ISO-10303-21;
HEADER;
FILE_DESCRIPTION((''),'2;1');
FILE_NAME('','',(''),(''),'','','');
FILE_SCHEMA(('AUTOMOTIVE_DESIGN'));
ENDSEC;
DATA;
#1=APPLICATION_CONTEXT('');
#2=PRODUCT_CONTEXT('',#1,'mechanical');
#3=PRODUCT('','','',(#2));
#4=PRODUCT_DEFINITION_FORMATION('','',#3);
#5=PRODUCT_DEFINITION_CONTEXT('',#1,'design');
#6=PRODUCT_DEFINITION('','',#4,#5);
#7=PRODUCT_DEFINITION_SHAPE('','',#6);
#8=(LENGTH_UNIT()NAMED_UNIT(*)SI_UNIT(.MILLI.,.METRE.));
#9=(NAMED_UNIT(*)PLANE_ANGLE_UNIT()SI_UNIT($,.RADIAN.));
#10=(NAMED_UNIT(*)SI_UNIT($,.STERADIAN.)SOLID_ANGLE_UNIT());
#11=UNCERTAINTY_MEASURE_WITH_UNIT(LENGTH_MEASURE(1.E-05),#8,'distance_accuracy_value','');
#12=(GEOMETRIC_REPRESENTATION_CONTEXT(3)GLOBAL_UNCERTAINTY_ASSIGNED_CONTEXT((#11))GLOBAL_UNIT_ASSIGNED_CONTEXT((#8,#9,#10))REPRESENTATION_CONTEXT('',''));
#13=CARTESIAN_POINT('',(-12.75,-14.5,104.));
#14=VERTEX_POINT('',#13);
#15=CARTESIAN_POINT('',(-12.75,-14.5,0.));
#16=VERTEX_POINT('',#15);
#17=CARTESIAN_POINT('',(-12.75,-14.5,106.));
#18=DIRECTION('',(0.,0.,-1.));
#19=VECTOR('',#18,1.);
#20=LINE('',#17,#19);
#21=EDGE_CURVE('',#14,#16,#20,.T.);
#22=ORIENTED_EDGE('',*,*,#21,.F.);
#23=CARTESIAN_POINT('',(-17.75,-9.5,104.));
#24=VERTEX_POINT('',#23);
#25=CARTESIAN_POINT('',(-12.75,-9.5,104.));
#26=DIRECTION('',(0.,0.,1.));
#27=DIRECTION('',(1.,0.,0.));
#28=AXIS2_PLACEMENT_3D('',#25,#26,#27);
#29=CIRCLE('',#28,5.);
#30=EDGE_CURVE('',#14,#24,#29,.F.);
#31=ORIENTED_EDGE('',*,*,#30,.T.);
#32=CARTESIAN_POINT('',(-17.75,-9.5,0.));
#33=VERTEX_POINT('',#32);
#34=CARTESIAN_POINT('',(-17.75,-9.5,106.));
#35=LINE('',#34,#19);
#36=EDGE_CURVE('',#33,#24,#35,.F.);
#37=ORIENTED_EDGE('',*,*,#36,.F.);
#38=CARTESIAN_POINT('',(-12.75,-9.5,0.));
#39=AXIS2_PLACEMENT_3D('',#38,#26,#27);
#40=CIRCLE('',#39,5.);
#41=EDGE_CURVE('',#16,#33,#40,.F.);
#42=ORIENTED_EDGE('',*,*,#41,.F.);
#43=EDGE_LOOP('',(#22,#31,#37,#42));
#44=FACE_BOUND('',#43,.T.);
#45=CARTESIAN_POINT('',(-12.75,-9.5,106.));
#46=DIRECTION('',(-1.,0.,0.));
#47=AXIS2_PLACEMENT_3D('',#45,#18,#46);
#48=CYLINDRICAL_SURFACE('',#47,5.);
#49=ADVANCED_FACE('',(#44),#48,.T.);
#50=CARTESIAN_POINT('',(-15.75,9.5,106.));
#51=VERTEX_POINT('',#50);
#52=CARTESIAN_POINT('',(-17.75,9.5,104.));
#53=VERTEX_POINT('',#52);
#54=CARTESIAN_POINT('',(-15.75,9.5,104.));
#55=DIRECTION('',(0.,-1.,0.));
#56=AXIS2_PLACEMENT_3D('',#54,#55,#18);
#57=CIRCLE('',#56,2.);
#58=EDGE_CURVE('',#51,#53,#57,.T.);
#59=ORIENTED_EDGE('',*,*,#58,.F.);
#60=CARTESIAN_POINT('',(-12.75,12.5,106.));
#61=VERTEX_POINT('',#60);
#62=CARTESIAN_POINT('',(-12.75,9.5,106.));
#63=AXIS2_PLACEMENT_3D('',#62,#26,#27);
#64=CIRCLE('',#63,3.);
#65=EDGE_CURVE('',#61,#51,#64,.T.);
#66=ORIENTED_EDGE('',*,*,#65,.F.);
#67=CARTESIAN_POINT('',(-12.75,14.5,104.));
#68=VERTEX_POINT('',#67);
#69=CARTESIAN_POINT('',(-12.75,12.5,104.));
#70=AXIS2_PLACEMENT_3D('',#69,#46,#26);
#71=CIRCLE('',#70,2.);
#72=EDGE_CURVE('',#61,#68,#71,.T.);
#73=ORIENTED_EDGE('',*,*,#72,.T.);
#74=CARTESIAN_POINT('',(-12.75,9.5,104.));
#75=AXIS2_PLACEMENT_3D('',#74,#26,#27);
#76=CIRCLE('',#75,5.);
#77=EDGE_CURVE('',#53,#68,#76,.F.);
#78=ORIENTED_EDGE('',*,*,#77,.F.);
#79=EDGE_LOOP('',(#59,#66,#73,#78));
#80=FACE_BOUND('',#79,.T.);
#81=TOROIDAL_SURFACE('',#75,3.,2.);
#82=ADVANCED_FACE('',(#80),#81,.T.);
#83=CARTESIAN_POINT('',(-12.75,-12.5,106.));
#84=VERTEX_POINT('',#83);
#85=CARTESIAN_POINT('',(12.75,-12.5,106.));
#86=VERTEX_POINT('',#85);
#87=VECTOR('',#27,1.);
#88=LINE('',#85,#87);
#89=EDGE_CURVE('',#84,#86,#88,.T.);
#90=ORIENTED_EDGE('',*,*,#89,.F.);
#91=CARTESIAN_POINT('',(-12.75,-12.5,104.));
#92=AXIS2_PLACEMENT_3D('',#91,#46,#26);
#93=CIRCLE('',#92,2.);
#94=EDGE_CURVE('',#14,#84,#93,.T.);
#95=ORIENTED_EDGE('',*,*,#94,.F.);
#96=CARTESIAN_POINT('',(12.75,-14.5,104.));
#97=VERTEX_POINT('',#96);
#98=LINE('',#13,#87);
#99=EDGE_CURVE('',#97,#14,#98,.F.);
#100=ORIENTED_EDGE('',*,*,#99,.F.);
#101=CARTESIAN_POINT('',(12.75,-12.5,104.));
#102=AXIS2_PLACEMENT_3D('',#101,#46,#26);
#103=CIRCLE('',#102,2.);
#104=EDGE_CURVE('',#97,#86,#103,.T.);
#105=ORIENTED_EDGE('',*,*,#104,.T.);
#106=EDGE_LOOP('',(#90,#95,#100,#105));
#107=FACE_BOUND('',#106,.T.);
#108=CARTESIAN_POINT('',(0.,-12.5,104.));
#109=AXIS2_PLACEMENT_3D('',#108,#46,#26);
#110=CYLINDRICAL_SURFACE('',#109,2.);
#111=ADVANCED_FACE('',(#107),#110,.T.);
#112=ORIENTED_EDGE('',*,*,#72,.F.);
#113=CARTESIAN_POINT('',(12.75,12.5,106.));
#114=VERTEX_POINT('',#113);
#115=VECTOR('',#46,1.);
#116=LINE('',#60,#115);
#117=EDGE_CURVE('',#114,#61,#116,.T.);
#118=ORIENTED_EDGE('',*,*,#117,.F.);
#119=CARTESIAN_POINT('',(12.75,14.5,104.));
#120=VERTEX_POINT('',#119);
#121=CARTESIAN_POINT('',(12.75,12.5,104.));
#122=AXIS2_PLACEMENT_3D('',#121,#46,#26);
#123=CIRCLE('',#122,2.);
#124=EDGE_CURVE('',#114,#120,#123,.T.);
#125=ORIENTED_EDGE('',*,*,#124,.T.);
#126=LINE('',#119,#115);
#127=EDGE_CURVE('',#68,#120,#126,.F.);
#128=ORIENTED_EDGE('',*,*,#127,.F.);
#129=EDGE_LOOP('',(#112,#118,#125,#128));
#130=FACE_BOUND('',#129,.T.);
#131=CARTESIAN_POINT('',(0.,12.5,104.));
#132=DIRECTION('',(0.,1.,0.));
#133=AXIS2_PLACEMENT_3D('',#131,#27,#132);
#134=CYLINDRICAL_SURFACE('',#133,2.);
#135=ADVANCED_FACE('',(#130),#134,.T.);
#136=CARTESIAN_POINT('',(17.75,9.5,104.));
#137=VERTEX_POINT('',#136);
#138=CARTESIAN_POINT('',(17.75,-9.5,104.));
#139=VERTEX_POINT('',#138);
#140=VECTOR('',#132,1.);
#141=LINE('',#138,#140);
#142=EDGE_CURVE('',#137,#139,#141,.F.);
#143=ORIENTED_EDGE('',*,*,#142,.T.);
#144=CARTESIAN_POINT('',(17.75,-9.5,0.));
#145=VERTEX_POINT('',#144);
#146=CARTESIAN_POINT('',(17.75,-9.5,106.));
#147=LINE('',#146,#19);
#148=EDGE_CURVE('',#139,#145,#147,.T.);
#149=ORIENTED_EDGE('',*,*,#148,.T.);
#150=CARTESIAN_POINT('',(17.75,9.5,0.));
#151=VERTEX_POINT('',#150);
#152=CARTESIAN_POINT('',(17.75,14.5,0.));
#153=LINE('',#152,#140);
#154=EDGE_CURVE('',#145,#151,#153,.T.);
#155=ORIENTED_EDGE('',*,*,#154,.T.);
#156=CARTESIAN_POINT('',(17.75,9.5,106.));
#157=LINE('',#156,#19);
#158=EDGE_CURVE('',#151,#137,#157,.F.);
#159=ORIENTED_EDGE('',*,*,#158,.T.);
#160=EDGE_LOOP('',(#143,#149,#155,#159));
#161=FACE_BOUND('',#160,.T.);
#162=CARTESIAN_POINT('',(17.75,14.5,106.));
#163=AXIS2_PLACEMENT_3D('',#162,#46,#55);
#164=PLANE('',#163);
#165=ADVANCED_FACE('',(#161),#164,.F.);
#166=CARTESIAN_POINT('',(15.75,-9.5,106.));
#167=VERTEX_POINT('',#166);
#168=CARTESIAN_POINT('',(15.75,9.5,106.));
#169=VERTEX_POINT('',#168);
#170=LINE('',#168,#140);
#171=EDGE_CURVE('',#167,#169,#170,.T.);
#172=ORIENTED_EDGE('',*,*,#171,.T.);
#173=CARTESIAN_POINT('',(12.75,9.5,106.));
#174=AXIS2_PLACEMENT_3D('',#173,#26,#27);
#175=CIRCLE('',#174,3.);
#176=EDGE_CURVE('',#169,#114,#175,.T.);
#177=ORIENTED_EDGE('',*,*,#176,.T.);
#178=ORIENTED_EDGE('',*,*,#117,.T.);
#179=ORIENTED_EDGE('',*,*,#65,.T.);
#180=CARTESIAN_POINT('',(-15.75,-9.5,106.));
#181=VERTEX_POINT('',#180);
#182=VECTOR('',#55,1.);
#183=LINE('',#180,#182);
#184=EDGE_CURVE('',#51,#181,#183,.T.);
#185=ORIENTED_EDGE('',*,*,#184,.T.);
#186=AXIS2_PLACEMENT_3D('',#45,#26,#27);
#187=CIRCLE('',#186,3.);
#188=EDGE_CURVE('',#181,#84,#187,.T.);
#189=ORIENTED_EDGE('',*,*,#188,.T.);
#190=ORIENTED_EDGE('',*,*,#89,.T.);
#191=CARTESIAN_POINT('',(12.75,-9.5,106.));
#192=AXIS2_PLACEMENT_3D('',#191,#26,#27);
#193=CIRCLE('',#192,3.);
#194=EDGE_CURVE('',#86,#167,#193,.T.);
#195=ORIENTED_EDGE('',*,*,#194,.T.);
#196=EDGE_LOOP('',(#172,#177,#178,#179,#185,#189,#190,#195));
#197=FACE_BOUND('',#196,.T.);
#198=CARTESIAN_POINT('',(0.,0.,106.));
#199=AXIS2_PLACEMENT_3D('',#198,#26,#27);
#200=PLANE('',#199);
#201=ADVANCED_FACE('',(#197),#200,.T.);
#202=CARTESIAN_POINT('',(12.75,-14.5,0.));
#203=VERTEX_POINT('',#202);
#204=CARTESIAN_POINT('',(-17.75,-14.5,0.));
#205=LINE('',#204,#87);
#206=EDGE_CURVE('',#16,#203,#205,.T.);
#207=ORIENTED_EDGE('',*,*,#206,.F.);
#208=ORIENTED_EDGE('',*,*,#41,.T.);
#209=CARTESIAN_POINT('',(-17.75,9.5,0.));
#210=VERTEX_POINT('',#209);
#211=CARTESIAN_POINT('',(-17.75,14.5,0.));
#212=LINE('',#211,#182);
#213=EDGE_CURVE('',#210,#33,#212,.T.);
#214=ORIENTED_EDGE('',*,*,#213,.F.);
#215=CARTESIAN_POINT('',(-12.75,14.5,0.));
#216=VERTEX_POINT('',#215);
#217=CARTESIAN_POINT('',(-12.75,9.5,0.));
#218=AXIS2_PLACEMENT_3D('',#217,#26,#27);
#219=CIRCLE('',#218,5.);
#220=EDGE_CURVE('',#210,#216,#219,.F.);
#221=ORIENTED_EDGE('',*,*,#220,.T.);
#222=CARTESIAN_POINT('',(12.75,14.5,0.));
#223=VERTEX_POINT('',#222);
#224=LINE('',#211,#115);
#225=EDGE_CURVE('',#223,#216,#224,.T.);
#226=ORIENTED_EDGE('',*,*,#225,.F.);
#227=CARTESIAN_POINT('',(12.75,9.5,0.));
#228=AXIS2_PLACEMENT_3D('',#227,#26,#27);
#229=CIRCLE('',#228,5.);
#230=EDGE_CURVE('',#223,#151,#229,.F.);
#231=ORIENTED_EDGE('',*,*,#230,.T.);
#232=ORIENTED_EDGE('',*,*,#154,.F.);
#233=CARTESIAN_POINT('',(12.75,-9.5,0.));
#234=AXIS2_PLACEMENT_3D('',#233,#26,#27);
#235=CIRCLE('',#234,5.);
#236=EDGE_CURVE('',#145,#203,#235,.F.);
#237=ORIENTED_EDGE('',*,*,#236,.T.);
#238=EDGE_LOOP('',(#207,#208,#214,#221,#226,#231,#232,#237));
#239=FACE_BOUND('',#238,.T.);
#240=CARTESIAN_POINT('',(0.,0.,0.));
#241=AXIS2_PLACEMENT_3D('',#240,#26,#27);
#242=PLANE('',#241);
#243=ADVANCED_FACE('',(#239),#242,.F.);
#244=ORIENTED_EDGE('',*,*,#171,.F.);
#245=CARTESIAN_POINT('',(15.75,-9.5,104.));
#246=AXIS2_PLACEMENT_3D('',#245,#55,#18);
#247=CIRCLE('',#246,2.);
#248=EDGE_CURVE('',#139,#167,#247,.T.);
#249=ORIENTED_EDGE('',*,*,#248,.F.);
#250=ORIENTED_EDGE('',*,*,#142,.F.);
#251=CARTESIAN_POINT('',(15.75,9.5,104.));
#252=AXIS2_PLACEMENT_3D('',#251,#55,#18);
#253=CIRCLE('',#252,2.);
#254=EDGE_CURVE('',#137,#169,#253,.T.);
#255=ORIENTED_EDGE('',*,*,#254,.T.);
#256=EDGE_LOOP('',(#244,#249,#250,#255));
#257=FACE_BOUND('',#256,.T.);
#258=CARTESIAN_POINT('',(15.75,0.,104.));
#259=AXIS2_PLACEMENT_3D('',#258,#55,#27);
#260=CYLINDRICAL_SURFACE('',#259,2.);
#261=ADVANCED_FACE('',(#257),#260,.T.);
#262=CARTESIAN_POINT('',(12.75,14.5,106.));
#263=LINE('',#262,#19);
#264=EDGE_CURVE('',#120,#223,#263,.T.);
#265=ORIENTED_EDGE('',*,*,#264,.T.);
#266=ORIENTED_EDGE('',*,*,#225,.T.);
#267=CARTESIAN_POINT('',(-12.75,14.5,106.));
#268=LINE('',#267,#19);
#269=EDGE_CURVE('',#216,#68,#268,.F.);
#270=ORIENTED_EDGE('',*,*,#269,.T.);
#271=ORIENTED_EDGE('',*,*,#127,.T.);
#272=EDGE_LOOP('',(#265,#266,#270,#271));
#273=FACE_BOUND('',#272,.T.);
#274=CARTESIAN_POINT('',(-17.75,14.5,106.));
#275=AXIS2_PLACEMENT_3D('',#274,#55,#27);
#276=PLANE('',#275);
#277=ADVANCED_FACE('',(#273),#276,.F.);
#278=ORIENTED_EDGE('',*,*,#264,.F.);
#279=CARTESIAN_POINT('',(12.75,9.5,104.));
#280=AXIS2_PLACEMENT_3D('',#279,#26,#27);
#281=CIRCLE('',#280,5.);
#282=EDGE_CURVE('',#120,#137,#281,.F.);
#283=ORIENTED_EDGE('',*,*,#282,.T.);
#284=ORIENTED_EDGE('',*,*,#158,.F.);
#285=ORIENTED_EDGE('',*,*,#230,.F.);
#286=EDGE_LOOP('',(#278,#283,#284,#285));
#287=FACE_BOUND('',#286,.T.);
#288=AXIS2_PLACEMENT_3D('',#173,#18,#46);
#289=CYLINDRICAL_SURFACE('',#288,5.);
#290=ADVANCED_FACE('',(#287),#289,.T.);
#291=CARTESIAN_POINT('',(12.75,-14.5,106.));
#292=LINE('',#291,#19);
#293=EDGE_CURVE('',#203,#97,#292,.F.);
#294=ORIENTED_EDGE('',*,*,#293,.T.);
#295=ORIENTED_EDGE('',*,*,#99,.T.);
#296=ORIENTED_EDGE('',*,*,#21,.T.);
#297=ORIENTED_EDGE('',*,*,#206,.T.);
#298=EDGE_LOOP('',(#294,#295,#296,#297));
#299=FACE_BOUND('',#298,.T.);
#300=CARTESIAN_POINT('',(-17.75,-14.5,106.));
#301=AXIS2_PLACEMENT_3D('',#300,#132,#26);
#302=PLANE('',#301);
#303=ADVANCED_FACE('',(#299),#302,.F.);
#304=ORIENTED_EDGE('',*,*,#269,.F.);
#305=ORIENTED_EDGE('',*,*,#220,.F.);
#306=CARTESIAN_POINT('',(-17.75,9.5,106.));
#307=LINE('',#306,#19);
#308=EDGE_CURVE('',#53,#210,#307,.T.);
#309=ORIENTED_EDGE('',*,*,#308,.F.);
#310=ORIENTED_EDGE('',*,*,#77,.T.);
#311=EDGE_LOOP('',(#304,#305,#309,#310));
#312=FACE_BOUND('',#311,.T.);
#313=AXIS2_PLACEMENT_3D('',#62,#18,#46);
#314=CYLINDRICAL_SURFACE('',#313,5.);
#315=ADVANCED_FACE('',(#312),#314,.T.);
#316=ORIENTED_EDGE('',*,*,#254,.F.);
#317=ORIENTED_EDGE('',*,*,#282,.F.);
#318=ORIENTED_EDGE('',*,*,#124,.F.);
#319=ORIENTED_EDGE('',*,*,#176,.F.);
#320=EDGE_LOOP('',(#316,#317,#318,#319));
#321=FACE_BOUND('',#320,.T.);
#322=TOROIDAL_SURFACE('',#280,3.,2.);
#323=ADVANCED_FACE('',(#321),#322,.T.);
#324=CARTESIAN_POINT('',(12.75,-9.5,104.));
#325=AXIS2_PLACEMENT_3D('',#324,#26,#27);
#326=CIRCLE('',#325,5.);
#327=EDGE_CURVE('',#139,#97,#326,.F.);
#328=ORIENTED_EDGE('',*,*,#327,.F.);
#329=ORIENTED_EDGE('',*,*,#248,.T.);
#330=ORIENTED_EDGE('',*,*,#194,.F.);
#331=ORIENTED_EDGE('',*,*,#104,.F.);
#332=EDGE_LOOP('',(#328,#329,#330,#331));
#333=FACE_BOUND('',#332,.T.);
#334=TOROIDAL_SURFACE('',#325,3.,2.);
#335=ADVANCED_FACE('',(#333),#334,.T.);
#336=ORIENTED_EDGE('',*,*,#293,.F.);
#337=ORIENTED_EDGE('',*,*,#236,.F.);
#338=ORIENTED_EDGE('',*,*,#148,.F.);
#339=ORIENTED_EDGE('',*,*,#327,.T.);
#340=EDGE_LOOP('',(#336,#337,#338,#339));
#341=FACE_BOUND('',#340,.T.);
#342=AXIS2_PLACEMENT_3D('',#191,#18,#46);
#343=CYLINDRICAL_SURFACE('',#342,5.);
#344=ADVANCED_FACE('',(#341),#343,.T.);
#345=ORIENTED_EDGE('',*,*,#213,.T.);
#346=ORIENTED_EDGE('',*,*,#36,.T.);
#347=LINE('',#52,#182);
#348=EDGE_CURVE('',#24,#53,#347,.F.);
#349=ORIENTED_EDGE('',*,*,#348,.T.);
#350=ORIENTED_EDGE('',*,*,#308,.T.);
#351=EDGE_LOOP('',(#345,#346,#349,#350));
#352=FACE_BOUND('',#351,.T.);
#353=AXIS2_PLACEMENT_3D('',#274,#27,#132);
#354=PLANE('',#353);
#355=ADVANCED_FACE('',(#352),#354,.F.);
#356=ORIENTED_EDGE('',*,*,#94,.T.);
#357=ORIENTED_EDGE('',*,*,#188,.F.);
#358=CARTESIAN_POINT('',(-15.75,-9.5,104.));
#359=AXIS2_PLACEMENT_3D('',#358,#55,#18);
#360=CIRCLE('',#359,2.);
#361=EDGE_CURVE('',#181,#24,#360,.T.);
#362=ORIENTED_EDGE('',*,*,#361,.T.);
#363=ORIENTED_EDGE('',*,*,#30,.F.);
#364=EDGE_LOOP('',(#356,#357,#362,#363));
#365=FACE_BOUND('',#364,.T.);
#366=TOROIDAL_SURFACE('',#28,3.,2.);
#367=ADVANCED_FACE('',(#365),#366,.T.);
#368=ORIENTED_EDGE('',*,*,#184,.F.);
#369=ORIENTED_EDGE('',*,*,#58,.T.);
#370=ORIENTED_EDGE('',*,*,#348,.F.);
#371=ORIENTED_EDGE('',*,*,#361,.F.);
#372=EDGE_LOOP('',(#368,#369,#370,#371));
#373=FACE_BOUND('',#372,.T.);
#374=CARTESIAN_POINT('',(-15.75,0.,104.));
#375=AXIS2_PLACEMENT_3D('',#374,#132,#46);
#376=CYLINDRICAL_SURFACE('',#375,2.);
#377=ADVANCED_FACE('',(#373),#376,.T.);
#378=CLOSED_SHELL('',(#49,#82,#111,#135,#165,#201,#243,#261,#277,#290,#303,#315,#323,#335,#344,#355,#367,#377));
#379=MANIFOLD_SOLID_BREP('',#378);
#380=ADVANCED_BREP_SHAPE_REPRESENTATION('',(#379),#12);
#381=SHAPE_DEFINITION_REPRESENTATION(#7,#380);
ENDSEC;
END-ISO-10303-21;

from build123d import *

# Parameters (mm, degrees)
SKETCH_1_W      = 35.5
SKETCH_1_H      = 29
EXTRUDE_1_DEPTH = 106
FILLET_1_R      = 5
FILLET_2_R      = 2


with BuildPart() as part:
    # 草图1 → 凸台-拉伸1 (new body)
    with BuildSketch(Plane.XY):
        Rectangle(SKETCH_1_W, SKETCH_1_H)
    extrude(amount=EXTRUDE_1_DEPTH)

    # 圆角1
    fillet_1_edges = [part.edges().sort_by_distance(p)[0] for p in [
        (17.75, -14.5, 53),
        (-17.75, -14.5, 53),
        (-17.75, 14.5, 53),
        (17.75, 14.5, 53),
    ]]
    fillet(fillet_1_edges, radius=FILLET_1_R)

    # 圆角2
    fillet_2_edges = [part.edges().sort_by_distance(p)[0] for p in [
        (17.75, 0, 106),
        (0, -14.5, 106),
        (0, 14.5, 106),
        (-17.75, 0, 106),
        (16.285533906, 13.035533906, 106),
        (-16.285533906, 13.035533906, 106),
        (-16.285533906, -13.035533906, 106),
        (16.285533906, -13.035533906, 106),
    ]]
    fillet(fillet_2_edges, radius=FILLET_2_R)


solid = part.part
